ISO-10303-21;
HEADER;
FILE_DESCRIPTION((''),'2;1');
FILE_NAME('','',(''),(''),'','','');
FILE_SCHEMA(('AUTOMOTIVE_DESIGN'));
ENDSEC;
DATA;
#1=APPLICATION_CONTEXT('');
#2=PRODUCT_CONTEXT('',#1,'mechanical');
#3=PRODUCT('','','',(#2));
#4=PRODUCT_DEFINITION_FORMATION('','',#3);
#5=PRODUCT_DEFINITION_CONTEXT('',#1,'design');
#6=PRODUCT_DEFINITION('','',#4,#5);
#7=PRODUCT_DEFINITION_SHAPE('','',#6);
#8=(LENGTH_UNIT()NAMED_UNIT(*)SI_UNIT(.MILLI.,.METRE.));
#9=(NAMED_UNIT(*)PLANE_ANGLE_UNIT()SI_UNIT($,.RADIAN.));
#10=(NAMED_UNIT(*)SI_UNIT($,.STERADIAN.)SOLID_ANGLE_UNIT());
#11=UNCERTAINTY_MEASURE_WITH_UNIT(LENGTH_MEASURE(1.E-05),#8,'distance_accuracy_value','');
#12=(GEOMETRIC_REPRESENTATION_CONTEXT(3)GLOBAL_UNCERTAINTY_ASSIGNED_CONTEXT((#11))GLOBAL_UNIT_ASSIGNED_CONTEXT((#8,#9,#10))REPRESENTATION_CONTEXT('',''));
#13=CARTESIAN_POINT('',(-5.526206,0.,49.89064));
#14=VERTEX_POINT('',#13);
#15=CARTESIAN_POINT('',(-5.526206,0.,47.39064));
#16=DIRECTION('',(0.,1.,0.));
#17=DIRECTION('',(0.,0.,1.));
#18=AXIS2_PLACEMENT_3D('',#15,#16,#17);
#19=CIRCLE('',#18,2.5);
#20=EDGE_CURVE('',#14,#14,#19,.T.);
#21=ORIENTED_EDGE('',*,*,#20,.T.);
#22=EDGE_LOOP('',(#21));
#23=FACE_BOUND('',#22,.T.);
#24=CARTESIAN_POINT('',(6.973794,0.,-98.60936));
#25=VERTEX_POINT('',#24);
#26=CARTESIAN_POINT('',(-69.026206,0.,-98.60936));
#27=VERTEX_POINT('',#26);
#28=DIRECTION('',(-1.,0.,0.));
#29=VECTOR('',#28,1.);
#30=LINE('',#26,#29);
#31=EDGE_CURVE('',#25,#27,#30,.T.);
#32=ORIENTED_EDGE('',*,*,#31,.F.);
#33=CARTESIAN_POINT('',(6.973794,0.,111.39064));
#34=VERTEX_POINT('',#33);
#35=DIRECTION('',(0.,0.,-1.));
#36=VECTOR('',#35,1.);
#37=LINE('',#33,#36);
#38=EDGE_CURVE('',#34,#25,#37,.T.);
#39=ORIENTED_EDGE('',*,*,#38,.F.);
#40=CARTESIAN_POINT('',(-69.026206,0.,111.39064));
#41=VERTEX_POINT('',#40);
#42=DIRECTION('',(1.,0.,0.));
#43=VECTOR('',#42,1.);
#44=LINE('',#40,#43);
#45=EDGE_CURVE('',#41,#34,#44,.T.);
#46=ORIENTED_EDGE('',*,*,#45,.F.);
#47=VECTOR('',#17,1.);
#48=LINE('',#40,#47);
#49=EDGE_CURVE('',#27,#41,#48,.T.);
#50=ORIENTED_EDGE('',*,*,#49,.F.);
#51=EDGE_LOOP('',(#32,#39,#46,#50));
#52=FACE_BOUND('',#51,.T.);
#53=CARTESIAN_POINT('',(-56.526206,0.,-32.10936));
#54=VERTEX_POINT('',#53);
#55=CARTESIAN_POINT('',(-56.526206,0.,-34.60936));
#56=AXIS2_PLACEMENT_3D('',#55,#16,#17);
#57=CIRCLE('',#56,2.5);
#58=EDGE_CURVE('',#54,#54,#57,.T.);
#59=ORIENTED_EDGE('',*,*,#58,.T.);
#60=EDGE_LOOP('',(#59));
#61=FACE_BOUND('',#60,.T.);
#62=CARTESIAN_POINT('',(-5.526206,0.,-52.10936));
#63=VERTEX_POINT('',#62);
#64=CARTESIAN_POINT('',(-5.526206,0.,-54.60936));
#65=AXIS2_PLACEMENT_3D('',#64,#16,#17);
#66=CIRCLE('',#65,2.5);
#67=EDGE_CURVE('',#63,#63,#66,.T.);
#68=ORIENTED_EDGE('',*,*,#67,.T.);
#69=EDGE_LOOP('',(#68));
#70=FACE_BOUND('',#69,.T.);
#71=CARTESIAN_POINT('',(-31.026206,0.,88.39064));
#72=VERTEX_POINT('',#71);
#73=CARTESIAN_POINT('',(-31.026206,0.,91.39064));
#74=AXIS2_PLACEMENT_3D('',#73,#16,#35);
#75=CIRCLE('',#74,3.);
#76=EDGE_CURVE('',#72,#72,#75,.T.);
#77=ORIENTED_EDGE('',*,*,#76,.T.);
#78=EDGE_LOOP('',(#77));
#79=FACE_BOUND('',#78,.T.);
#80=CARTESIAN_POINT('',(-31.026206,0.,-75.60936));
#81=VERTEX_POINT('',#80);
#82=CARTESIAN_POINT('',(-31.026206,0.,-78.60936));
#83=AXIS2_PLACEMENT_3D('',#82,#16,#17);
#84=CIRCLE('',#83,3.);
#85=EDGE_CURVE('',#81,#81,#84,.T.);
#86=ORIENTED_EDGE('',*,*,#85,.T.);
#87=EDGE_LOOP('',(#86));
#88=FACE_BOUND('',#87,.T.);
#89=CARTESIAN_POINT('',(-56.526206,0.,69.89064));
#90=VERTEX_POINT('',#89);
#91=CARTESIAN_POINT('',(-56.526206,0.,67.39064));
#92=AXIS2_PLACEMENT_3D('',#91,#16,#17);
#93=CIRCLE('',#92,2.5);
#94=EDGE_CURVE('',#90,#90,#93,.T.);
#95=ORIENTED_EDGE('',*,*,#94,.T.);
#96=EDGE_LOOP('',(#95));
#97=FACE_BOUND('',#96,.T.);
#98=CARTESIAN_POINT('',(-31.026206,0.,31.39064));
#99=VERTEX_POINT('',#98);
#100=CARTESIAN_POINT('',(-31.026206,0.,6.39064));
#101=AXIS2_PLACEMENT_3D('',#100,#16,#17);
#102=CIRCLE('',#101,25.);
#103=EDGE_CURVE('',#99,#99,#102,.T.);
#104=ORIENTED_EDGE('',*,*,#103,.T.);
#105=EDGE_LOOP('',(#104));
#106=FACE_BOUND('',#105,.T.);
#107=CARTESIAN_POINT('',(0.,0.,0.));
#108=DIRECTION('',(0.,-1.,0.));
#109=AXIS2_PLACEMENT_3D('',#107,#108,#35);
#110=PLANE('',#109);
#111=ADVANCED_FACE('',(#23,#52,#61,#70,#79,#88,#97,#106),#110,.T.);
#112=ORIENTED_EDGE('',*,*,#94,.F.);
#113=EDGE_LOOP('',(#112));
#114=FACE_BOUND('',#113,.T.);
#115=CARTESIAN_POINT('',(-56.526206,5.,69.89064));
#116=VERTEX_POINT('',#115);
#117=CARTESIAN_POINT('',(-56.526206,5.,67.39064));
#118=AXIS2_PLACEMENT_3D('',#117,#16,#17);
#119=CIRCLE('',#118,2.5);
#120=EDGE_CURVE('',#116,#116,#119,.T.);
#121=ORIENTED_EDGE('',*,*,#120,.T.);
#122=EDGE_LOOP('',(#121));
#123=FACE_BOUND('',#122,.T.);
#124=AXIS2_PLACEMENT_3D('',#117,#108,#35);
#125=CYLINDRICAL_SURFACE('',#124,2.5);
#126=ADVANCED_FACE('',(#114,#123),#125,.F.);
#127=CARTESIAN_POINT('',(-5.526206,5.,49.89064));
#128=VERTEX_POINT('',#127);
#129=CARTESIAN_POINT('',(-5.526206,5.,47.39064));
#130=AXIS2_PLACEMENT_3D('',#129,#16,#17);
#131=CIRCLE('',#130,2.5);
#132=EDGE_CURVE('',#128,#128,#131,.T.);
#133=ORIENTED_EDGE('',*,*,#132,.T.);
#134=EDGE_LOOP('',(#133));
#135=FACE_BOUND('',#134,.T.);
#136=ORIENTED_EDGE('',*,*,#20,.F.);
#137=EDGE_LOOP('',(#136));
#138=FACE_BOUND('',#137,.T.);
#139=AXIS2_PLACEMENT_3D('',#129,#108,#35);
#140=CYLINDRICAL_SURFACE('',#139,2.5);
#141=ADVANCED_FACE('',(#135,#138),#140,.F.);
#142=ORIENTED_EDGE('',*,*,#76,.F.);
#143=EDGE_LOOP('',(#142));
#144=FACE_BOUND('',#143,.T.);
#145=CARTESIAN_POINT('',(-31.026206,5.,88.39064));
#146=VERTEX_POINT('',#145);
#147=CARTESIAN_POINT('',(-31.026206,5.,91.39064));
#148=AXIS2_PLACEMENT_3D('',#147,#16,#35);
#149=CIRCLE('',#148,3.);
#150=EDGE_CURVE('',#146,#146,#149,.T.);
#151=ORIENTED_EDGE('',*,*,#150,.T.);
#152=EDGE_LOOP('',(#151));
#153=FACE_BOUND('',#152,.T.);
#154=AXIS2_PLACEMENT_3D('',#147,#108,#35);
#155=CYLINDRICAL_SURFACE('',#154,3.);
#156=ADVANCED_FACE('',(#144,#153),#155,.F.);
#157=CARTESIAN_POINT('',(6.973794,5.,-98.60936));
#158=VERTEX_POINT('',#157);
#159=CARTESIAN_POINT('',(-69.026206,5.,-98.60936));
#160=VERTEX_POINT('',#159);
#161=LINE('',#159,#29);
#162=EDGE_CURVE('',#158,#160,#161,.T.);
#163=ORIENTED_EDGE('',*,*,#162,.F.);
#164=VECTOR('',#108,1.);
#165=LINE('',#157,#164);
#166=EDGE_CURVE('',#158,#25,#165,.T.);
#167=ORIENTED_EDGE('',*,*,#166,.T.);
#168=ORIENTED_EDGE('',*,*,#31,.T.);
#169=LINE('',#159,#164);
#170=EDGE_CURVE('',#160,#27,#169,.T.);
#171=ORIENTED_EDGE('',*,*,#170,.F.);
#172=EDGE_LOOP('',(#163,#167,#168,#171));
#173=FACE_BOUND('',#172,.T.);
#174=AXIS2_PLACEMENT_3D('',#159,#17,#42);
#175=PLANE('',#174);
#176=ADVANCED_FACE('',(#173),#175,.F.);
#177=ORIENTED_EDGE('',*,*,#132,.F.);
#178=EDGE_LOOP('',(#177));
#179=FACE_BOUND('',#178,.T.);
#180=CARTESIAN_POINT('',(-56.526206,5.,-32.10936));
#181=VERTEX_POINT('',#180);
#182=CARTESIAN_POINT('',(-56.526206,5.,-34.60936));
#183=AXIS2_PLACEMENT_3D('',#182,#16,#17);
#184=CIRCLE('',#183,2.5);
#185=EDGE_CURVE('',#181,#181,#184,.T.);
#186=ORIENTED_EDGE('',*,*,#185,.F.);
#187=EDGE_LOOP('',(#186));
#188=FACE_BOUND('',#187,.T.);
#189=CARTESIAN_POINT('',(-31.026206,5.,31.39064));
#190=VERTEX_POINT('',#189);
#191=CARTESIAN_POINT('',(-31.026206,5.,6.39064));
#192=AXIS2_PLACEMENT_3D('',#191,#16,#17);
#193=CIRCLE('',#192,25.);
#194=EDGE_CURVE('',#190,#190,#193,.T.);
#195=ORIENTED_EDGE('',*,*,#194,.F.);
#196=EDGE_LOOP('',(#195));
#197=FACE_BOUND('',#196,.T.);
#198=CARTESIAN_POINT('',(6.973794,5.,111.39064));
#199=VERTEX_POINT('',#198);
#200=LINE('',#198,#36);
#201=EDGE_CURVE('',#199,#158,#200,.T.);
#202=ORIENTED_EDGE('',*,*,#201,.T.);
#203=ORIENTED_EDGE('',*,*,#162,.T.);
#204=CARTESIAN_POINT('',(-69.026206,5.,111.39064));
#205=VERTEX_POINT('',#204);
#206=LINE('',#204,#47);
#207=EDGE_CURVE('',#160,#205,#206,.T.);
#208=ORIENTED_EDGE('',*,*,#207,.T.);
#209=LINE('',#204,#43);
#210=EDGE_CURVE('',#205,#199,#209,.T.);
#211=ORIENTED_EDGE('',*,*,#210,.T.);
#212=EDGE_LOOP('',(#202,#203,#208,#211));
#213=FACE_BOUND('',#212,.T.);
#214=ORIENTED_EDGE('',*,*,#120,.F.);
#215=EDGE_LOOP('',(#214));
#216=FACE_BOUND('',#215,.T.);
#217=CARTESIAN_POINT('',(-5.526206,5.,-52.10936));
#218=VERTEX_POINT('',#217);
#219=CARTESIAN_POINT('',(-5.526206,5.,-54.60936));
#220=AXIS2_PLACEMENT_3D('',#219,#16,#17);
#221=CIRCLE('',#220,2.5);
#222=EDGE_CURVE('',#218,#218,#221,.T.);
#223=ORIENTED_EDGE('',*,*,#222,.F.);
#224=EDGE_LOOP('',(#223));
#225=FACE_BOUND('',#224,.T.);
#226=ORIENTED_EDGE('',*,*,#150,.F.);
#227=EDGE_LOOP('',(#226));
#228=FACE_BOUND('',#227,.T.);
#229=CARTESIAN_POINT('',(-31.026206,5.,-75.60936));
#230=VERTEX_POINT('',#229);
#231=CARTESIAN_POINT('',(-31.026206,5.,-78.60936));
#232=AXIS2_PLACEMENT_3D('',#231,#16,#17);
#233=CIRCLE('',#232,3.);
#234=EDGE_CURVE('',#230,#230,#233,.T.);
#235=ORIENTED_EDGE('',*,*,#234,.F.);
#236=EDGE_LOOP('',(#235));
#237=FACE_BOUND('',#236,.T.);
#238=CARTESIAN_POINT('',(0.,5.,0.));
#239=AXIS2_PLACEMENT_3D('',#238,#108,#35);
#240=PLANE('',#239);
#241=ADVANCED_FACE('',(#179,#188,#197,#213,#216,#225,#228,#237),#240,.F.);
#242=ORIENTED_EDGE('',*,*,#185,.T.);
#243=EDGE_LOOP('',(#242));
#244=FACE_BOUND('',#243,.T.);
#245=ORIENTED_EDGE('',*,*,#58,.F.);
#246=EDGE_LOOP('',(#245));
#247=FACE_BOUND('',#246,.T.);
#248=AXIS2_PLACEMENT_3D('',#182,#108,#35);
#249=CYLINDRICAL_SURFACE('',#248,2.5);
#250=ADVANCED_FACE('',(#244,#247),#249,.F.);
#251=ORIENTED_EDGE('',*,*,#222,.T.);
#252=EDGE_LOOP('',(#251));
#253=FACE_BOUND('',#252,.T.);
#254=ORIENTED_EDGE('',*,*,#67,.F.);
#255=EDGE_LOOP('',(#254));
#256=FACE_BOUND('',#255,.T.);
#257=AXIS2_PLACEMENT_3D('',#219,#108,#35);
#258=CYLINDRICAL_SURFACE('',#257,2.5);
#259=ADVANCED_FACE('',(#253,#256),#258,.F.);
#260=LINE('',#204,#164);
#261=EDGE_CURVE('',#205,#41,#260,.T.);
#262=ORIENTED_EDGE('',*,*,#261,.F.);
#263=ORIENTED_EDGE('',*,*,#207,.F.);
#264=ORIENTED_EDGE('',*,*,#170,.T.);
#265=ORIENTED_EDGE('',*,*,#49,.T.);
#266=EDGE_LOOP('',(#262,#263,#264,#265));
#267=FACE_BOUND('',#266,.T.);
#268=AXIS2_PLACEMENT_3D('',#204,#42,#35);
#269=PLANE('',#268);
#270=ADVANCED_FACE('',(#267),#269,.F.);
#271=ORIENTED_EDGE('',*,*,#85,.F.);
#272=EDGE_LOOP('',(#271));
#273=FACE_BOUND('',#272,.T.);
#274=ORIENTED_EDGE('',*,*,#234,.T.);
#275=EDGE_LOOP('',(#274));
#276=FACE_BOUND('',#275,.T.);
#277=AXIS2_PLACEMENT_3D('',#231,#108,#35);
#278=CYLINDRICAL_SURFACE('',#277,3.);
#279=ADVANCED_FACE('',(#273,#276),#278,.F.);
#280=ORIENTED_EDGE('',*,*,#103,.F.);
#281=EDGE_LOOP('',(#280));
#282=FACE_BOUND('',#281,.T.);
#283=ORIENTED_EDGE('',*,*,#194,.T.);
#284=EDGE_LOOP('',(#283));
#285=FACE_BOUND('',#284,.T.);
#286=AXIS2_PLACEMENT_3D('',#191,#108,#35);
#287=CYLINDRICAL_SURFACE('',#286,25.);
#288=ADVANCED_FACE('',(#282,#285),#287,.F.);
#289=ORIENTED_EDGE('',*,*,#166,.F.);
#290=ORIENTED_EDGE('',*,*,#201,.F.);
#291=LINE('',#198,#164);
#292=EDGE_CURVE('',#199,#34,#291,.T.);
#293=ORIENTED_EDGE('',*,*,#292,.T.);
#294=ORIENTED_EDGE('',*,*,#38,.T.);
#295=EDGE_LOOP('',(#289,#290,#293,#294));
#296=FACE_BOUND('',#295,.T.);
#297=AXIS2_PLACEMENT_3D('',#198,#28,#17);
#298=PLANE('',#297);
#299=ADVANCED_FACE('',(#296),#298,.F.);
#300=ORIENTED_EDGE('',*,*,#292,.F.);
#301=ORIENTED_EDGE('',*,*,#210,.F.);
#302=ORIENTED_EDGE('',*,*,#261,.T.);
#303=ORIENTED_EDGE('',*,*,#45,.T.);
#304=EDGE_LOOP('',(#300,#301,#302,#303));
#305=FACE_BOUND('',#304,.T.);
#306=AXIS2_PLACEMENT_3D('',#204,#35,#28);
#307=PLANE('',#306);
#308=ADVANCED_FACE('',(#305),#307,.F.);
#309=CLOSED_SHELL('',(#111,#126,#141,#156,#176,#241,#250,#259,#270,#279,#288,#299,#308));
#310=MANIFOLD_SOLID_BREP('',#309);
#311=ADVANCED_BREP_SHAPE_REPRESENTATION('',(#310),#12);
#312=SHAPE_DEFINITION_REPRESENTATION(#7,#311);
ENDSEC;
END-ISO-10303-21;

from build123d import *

# Parameters (mm, degrees)
SKETCH1_W           = 76
SKETCH1_H           = 210
SKETCH1_R           = 3
SKETCH1_R_2         = 2.5
SKETCH1_R_3         = 25
BOSS_EXTRUDE1_DEPTH = 5


with BuildPart() as part:
    # Sketch1 → Boss-Extrude1 (new body)
    with BuildSketch(Plane(origin=(0, 0, 0), x_dir=(1, 0, 0), z_dir=(0, 1, 0))):
        with Locations((-31.026205917, -6.39064)):
            Rectangle(SKETCH1_W, SKETCH1_H)
        with Locations((-31.026205917, 78.60936)):
            Circle(SKETCH1_R, mode=Mode.SUBTRACT)
        with Locations((-31.026205917, -91.39064)):
            Circle(SKETCH1_R, mode=Mode.SUBTRACT)
        with Locations((-56.526205917, 34.60936)):
            Circle(SKETCH1_R_2, mode=Mode.SUBTRACT)
        with Locations((-5.526205917, 54.60936)):
            Circle(SKETCH1_R_2, mode=Mode.SUBTRACT)
        with Locations((-56.526205917, -67.39064)):
            Circle(SKETCH1_R_2, mode=Mode.SUBTRACT)
        with Locations((-5.526205917, -47.39064)):
            Circle(SKETCH1_R_2, mode=Mode.SUBTRACT)
        with Locations((-31.026205917, -6.39064)):
            Circle(SKETCH1_R_3, mode=Mode.SUBTRACT)
    extrude(amount=BOSS_EXTRUDE1_DEPTH)


solid = part.part
